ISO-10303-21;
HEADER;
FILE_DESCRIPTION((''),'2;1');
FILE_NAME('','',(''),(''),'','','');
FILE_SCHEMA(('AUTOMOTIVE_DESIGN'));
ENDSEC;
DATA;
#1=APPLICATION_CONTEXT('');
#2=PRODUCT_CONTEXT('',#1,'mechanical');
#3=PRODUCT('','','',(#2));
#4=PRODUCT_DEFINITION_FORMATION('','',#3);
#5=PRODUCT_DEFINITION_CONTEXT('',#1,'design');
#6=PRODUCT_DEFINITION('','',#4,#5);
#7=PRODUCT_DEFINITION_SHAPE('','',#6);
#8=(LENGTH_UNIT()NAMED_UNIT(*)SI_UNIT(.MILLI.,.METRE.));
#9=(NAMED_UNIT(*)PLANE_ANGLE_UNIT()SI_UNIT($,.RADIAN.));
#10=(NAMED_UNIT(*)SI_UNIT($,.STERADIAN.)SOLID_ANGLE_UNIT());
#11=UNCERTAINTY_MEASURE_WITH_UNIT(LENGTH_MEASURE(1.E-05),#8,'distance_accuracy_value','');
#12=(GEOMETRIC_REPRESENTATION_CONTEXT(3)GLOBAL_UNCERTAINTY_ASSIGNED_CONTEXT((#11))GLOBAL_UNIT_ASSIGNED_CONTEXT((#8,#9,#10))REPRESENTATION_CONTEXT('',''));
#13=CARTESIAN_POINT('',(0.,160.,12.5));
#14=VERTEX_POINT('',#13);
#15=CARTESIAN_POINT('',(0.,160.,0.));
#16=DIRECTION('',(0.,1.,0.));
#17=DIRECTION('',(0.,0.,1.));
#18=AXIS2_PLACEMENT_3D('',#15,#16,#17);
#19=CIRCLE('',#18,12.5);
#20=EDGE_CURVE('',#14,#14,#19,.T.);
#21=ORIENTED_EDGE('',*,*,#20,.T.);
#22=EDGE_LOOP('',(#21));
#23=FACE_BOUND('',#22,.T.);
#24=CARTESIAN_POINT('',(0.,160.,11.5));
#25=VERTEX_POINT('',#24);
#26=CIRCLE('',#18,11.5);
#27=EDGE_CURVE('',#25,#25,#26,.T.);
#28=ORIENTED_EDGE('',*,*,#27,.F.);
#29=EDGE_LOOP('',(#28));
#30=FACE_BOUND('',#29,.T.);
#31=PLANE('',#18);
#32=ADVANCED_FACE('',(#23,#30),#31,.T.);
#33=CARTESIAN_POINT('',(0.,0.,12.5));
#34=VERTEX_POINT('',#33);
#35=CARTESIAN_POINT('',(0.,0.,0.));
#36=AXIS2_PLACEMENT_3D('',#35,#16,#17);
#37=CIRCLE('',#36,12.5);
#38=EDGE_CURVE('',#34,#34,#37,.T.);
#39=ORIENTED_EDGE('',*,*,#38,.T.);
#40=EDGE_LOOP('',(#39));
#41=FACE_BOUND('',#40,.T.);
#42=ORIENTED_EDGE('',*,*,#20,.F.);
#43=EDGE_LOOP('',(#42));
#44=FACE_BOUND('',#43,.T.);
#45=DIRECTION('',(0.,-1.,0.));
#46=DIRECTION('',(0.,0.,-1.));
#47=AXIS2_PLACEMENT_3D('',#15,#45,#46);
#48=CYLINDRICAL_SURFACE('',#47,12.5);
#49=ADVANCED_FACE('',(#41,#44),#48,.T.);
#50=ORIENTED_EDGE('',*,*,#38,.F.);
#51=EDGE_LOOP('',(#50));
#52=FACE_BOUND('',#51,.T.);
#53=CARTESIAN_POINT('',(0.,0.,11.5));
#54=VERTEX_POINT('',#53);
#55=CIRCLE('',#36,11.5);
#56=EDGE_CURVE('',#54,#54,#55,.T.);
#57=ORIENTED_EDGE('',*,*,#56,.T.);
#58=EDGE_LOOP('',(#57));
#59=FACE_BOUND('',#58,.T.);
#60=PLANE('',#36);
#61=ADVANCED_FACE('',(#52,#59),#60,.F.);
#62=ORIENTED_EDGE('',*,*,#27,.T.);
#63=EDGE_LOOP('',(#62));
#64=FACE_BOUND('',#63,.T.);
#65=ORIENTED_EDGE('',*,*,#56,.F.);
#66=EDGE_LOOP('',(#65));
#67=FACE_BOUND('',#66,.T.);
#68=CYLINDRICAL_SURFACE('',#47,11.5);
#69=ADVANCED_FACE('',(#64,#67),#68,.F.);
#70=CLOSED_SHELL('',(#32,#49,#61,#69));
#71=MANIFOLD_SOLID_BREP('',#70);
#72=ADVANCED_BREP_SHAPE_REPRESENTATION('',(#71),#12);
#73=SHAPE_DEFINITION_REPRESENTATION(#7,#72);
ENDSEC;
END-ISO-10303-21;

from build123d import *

# Parameters (mm, degrees)
SKETCH_1_R      = 12.5
SKETCH_1_R_2    = 11.5
EXTRUDE_1_DEPTH = 160


with BuildPart() as part:
    # Эскиз1 → Бобышка-Вытянуть1 (new body)
    with BuildSketch(Plane(origin=(0, 0, 0), x_dir=(1, 0, 0), z_dir=(0, 1, 0))):
        Circle(SKETCH_1_R)
        Circle(SKETCH_1_R_2, mode=Mode.SUBTRACT)
    extrude(amount=EXTRUDE_1_DEPTH)


solid = part.part
